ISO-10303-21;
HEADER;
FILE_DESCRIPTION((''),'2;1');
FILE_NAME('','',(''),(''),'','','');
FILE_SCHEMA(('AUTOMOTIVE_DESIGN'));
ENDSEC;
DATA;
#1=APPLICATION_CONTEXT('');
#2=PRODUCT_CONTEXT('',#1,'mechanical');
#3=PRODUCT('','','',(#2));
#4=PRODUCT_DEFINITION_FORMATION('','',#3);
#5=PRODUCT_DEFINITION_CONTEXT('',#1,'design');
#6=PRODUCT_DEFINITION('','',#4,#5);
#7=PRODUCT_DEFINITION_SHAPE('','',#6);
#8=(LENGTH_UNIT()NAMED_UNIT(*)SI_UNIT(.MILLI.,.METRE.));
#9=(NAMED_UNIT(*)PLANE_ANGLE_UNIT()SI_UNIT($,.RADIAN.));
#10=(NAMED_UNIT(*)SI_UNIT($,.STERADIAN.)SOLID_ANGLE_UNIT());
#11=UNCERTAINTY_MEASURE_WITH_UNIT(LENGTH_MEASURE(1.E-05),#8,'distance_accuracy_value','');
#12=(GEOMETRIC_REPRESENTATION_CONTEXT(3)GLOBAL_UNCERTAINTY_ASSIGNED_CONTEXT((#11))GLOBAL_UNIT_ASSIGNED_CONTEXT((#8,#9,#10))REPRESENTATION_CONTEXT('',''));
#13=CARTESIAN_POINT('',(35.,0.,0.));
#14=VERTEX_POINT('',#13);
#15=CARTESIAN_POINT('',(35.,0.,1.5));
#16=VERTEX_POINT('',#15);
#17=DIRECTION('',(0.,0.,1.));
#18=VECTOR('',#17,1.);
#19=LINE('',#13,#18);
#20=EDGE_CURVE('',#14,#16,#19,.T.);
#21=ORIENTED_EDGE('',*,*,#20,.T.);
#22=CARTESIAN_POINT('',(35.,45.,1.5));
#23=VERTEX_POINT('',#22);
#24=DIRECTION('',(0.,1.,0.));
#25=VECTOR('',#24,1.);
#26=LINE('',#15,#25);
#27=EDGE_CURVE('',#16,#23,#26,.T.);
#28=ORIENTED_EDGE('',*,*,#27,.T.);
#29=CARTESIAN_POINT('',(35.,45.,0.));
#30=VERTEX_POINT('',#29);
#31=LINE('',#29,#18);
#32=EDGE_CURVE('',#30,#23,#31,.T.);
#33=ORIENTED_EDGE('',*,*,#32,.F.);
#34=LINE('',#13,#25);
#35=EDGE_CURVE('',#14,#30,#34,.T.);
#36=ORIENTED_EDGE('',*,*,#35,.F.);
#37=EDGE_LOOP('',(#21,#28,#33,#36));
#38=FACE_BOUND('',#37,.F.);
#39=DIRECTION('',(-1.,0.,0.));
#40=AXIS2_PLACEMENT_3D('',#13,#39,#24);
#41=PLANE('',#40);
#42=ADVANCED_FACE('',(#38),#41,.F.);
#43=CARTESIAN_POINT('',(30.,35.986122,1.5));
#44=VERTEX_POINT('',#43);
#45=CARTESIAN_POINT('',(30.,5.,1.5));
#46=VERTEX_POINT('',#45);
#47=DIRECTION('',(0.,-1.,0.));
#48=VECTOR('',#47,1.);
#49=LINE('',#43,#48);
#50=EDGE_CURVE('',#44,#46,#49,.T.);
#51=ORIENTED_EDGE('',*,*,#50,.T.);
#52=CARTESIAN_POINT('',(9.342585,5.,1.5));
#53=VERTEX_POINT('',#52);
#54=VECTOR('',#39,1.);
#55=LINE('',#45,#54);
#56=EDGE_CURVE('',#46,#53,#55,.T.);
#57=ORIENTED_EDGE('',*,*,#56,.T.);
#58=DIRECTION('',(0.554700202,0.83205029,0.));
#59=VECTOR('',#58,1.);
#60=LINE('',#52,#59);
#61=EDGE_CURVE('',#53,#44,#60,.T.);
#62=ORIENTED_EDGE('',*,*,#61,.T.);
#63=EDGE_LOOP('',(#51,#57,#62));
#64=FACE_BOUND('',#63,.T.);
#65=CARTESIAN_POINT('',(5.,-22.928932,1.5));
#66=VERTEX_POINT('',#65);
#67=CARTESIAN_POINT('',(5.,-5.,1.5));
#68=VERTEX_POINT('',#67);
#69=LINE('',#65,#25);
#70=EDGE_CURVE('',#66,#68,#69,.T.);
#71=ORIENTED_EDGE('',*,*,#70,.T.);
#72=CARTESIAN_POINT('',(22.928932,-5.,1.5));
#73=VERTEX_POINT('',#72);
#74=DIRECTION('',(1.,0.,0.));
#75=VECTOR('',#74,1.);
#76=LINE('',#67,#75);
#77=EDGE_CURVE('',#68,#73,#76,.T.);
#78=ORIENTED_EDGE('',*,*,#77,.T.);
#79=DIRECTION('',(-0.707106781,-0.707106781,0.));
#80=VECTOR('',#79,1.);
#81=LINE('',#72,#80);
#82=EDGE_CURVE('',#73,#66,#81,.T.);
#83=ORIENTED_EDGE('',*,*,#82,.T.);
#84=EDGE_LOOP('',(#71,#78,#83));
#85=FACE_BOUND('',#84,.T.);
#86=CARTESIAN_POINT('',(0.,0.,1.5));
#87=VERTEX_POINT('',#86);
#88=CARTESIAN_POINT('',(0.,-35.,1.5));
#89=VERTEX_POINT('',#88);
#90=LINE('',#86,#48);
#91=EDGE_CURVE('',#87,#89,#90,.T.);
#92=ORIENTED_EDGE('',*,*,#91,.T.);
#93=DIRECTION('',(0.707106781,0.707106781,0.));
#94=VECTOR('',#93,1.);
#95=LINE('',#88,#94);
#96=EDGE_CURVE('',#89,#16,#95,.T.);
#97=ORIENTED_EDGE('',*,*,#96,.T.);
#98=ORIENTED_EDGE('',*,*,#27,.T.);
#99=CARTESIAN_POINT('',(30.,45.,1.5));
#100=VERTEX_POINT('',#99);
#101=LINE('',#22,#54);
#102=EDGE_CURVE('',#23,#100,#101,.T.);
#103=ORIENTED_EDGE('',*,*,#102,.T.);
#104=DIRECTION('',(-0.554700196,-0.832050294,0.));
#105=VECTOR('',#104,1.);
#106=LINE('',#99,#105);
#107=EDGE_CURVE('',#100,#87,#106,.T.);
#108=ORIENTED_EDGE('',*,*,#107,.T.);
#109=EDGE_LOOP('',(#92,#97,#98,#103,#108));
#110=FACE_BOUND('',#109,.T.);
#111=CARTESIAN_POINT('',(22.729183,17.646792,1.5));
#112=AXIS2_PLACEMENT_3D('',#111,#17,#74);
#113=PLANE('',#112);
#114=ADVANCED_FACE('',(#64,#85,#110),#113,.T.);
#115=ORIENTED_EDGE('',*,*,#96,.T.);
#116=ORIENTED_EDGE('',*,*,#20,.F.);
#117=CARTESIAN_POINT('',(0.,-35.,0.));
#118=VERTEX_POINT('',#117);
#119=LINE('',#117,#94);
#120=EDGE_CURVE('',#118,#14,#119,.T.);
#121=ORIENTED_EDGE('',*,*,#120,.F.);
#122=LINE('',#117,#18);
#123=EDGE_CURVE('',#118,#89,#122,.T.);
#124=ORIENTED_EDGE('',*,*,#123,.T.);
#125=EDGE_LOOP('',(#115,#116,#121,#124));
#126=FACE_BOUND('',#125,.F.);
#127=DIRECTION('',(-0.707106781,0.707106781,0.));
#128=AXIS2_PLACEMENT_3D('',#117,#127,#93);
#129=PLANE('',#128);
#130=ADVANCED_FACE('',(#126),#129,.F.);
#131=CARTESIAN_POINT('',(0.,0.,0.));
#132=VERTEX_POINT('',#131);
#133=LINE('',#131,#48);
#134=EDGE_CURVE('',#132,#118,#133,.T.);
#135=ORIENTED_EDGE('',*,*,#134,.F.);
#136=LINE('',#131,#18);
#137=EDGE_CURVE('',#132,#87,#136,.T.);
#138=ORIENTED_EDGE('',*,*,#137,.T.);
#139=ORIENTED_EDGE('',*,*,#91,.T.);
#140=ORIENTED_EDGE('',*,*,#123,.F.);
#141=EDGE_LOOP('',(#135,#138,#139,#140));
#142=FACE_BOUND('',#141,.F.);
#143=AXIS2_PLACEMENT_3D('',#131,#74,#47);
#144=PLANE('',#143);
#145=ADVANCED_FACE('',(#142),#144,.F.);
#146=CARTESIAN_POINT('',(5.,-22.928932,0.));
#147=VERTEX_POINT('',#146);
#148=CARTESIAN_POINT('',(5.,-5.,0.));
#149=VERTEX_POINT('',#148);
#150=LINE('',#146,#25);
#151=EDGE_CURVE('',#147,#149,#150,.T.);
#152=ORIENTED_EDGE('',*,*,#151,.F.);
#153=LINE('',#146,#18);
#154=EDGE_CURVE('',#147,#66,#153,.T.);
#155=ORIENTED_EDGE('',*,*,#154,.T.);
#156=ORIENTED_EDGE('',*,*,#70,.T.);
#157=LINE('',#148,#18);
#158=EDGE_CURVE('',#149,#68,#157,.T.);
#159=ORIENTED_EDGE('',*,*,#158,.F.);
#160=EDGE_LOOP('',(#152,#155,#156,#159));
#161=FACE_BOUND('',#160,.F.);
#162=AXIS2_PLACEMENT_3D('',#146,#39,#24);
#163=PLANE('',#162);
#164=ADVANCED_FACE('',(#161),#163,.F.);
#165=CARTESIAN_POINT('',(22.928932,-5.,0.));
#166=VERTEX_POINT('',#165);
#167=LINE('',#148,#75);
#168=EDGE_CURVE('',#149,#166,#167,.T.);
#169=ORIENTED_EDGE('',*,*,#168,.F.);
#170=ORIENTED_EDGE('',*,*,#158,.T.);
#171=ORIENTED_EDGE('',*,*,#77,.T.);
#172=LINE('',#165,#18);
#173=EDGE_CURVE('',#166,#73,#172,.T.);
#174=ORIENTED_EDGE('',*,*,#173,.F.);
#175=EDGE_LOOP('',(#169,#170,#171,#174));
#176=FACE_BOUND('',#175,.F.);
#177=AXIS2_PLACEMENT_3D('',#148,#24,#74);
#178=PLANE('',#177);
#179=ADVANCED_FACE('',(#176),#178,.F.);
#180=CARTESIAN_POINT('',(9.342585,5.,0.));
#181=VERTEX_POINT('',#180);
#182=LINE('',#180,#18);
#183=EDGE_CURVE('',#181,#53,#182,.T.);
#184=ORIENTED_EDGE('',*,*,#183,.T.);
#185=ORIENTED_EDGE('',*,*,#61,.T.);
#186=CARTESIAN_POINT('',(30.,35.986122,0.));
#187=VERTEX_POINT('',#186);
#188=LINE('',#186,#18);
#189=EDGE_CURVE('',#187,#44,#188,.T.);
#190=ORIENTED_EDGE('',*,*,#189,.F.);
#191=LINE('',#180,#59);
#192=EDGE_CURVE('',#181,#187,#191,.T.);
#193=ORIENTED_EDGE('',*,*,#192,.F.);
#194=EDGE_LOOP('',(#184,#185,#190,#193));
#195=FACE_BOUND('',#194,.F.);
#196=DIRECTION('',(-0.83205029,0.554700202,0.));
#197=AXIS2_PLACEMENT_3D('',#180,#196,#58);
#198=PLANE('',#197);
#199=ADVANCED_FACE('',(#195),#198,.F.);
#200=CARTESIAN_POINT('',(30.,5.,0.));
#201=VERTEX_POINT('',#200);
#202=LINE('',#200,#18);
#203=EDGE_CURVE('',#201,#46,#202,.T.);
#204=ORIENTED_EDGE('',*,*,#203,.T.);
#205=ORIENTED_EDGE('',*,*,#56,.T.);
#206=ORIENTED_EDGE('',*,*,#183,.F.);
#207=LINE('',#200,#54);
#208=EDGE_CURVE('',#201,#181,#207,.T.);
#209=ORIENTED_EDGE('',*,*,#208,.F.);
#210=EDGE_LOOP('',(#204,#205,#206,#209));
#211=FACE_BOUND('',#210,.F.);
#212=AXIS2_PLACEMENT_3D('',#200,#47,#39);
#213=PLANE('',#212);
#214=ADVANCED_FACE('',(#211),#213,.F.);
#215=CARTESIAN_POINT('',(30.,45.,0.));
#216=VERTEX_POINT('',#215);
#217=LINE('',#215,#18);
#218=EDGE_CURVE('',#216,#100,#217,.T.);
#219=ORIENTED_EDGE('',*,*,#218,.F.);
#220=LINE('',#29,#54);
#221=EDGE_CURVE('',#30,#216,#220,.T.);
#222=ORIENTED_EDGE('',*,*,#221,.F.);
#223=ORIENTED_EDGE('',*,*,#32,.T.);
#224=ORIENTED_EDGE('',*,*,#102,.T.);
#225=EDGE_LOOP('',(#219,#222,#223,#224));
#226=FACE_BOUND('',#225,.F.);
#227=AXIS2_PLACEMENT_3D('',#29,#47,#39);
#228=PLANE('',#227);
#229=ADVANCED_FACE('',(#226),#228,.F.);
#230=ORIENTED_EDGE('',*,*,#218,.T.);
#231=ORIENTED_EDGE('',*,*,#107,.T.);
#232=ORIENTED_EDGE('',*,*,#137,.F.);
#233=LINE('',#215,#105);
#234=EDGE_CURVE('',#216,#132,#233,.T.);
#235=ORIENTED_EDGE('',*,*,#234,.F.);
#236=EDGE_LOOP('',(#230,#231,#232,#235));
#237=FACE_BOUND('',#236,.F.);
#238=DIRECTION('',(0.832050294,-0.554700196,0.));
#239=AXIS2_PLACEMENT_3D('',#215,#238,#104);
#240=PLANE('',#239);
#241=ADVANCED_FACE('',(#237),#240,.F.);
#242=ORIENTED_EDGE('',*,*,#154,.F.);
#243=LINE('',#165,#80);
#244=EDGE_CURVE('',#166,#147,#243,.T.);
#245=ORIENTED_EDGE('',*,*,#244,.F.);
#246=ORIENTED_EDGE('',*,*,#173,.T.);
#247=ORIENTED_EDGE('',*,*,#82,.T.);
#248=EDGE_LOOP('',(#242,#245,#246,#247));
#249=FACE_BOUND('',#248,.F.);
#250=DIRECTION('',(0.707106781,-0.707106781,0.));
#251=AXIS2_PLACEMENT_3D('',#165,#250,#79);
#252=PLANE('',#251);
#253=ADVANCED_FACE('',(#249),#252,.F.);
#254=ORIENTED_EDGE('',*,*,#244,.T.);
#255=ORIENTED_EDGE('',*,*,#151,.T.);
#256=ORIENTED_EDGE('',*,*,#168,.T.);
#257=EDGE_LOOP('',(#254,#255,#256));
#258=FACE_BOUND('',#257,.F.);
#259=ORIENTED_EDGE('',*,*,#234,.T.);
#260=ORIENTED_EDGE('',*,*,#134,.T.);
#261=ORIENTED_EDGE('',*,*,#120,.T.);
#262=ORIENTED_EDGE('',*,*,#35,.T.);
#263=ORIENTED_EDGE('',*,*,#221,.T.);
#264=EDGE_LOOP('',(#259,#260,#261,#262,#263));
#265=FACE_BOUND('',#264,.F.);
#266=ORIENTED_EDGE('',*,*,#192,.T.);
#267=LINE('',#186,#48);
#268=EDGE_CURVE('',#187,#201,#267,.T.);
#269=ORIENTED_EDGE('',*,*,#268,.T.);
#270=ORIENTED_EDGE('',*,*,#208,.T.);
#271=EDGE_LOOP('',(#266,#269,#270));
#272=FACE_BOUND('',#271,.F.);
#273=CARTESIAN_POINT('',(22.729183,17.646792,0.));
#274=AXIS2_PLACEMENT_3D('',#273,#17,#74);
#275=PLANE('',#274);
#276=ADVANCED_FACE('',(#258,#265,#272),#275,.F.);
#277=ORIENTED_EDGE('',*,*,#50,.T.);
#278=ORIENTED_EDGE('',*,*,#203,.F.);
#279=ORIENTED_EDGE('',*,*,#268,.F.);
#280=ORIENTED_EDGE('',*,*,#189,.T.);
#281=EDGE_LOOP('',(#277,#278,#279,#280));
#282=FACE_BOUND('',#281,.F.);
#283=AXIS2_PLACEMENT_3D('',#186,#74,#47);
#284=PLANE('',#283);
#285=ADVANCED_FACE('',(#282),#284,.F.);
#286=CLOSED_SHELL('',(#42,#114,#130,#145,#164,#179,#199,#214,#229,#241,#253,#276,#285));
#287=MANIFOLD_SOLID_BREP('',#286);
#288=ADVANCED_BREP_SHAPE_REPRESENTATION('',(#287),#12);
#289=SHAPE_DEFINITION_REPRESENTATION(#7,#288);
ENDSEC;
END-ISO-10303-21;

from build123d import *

# Parameters (mm, degrees)
F1_DEPTH = 1.5


with BuildPart() as f1:
    # F0 (on Top) → F1 (new body)
    with BuildSketch(Plane.XY):
        Polygon((30, 45), (0, 0), (35, 0), (35, 45), align=None)
        Polygon((9.342585, 5), (30, 35.986122), (30, 5), align=None, mode=Mode.SUBTRACT)
        Polygon((35, 0), (0, 0), (0, -35), align=None)
        Polygon((5, -22.928932), (5, -5), (22.928932, -5), align=None, mode=Mode.SUBTRACT)
    extrude(amount=F1_DEPTH)


solid = f1.part
